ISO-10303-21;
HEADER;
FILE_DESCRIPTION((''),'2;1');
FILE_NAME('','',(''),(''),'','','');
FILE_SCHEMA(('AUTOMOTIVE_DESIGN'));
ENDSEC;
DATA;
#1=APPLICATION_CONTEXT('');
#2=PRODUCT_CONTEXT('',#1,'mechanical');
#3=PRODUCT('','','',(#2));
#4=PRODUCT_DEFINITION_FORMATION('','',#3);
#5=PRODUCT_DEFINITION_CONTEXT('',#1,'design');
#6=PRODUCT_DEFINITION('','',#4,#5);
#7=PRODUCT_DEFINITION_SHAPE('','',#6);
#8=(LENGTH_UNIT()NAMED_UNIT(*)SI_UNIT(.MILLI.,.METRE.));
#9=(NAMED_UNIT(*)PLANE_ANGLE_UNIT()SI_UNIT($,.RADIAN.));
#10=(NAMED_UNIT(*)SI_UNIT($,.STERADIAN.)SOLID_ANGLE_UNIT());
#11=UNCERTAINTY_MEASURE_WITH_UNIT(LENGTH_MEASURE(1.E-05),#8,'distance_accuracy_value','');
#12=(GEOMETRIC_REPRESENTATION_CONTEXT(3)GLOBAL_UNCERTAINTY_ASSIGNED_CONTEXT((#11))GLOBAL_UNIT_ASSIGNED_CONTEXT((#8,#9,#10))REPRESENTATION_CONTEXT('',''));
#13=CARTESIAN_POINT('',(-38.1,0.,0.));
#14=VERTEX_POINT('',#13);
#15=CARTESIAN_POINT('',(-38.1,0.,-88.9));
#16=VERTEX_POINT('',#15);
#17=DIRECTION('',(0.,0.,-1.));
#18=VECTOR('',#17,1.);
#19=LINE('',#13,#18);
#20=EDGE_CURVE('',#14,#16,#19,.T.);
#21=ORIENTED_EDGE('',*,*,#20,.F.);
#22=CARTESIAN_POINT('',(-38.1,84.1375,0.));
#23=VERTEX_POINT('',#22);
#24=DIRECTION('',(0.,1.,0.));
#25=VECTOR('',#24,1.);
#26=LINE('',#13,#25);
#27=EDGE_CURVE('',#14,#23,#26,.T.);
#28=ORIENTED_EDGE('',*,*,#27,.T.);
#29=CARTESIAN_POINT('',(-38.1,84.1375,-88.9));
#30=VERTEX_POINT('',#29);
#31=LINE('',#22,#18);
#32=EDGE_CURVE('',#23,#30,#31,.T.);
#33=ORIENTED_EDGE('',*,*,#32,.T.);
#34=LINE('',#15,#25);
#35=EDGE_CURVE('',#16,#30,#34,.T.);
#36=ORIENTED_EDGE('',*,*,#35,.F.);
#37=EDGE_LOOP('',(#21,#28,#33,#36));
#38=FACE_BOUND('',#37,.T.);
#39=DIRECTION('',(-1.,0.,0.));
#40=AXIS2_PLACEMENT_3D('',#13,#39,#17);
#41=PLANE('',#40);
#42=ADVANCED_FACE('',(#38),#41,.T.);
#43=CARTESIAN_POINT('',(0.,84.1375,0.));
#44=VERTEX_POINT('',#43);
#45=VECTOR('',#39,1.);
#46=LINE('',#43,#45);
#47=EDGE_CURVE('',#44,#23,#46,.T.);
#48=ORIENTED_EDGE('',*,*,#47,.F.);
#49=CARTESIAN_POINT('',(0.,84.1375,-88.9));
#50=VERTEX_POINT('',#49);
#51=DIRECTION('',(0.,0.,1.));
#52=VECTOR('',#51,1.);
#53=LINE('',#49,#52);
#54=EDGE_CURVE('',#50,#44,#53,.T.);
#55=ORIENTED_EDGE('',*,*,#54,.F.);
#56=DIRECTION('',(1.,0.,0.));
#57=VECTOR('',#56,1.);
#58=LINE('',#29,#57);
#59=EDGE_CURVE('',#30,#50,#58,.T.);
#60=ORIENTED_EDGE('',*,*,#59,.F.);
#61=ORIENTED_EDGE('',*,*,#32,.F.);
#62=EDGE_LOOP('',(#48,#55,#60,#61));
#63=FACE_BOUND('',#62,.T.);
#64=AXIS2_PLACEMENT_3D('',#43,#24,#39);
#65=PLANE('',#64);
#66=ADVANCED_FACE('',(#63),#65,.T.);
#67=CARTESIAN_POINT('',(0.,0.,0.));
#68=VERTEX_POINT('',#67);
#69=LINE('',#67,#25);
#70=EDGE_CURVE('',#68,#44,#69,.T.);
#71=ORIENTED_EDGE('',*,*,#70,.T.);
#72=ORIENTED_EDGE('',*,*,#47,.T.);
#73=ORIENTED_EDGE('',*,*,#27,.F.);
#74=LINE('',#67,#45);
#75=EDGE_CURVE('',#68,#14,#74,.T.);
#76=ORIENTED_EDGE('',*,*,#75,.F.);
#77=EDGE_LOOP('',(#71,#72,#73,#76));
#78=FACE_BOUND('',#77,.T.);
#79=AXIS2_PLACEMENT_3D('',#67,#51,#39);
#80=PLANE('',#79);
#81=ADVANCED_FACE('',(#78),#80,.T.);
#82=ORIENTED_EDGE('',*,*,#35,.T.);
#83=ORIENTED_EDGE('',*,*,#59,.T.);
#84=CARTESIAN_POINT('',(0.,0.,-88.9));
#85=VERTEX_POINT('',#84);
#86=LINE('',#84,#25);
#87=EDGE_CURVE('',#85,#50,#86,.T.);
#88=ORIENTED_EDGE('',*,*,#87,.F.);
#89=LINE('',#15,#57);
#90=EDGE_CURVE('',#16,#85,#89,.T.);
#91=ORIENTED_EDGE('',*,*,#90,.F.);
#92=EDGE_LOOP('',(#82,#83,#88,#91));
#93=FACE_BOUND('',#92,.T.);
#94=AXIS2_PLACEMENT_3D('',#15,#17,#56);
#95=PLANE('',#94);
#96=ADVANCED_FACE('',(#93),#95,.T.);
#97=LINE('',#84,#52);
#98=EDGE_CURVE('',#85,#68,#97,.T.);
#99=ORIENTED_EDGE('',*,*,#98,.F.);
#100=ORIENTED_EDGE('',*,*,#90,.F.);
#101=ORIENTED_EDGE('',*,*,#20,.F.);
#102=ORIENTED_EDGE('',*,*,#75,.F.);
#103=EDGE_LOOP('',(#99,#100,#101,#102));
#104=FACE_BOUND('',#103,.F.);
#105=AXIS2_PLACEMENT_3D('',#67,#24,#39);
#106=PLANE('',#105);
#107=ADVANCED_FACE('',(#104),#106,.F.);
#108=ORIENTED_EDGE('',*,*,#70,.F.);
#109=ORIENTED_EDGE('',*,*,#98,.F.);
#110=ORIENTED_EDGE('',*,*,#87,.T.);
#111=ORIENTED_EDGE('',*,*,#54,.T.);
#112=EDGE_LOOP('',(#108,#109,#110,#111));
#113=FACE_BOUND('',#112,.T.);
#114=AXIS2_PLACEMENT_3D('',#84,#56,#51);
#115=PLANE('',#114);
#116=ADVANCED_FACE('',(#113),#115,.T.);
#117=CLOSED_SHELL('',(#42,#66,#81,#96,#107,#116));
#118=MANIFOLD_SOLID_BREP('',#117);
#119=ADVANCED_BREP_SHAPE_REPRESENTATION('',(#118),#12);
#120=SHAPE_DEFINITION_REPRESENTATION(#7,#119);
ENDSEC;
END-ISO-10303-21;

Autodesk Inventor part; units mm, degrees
ref_plane "YZ Plane" through (0, 0, 0) normal (1, 0, 0) x (0, 1, 0)
ref_plane "XZ Plane" through (0, 0, 0) normal (0, 1, 0) x (-1, 0, 0)
ref_plane "XY Plane" through (0, 0, 0) normal (0, 0, 1) x (1, 0, 0)
sketch "Sketch1" plane through (0, 0, 0) normal (0, 1, 0) x (-1, 0, 0)
  line L0 (0, 0) -> (38.1, 0)
  line L1 (38.1, 0) -> (38.1, -88.9)
  line L2 (38.1, -88.9) -> (0, -88.9)
  line L3 (0, -88.9) -> (0, 0)
  dimension "d0" = 88.9
  dimension "d1" = 38.1
extrude "Extrusion1" add sketch "Sketch1" along normal blind 84.1375
properties part number "Stud_With_Height_3.3125_Inches" material "Wood (Birch)"
